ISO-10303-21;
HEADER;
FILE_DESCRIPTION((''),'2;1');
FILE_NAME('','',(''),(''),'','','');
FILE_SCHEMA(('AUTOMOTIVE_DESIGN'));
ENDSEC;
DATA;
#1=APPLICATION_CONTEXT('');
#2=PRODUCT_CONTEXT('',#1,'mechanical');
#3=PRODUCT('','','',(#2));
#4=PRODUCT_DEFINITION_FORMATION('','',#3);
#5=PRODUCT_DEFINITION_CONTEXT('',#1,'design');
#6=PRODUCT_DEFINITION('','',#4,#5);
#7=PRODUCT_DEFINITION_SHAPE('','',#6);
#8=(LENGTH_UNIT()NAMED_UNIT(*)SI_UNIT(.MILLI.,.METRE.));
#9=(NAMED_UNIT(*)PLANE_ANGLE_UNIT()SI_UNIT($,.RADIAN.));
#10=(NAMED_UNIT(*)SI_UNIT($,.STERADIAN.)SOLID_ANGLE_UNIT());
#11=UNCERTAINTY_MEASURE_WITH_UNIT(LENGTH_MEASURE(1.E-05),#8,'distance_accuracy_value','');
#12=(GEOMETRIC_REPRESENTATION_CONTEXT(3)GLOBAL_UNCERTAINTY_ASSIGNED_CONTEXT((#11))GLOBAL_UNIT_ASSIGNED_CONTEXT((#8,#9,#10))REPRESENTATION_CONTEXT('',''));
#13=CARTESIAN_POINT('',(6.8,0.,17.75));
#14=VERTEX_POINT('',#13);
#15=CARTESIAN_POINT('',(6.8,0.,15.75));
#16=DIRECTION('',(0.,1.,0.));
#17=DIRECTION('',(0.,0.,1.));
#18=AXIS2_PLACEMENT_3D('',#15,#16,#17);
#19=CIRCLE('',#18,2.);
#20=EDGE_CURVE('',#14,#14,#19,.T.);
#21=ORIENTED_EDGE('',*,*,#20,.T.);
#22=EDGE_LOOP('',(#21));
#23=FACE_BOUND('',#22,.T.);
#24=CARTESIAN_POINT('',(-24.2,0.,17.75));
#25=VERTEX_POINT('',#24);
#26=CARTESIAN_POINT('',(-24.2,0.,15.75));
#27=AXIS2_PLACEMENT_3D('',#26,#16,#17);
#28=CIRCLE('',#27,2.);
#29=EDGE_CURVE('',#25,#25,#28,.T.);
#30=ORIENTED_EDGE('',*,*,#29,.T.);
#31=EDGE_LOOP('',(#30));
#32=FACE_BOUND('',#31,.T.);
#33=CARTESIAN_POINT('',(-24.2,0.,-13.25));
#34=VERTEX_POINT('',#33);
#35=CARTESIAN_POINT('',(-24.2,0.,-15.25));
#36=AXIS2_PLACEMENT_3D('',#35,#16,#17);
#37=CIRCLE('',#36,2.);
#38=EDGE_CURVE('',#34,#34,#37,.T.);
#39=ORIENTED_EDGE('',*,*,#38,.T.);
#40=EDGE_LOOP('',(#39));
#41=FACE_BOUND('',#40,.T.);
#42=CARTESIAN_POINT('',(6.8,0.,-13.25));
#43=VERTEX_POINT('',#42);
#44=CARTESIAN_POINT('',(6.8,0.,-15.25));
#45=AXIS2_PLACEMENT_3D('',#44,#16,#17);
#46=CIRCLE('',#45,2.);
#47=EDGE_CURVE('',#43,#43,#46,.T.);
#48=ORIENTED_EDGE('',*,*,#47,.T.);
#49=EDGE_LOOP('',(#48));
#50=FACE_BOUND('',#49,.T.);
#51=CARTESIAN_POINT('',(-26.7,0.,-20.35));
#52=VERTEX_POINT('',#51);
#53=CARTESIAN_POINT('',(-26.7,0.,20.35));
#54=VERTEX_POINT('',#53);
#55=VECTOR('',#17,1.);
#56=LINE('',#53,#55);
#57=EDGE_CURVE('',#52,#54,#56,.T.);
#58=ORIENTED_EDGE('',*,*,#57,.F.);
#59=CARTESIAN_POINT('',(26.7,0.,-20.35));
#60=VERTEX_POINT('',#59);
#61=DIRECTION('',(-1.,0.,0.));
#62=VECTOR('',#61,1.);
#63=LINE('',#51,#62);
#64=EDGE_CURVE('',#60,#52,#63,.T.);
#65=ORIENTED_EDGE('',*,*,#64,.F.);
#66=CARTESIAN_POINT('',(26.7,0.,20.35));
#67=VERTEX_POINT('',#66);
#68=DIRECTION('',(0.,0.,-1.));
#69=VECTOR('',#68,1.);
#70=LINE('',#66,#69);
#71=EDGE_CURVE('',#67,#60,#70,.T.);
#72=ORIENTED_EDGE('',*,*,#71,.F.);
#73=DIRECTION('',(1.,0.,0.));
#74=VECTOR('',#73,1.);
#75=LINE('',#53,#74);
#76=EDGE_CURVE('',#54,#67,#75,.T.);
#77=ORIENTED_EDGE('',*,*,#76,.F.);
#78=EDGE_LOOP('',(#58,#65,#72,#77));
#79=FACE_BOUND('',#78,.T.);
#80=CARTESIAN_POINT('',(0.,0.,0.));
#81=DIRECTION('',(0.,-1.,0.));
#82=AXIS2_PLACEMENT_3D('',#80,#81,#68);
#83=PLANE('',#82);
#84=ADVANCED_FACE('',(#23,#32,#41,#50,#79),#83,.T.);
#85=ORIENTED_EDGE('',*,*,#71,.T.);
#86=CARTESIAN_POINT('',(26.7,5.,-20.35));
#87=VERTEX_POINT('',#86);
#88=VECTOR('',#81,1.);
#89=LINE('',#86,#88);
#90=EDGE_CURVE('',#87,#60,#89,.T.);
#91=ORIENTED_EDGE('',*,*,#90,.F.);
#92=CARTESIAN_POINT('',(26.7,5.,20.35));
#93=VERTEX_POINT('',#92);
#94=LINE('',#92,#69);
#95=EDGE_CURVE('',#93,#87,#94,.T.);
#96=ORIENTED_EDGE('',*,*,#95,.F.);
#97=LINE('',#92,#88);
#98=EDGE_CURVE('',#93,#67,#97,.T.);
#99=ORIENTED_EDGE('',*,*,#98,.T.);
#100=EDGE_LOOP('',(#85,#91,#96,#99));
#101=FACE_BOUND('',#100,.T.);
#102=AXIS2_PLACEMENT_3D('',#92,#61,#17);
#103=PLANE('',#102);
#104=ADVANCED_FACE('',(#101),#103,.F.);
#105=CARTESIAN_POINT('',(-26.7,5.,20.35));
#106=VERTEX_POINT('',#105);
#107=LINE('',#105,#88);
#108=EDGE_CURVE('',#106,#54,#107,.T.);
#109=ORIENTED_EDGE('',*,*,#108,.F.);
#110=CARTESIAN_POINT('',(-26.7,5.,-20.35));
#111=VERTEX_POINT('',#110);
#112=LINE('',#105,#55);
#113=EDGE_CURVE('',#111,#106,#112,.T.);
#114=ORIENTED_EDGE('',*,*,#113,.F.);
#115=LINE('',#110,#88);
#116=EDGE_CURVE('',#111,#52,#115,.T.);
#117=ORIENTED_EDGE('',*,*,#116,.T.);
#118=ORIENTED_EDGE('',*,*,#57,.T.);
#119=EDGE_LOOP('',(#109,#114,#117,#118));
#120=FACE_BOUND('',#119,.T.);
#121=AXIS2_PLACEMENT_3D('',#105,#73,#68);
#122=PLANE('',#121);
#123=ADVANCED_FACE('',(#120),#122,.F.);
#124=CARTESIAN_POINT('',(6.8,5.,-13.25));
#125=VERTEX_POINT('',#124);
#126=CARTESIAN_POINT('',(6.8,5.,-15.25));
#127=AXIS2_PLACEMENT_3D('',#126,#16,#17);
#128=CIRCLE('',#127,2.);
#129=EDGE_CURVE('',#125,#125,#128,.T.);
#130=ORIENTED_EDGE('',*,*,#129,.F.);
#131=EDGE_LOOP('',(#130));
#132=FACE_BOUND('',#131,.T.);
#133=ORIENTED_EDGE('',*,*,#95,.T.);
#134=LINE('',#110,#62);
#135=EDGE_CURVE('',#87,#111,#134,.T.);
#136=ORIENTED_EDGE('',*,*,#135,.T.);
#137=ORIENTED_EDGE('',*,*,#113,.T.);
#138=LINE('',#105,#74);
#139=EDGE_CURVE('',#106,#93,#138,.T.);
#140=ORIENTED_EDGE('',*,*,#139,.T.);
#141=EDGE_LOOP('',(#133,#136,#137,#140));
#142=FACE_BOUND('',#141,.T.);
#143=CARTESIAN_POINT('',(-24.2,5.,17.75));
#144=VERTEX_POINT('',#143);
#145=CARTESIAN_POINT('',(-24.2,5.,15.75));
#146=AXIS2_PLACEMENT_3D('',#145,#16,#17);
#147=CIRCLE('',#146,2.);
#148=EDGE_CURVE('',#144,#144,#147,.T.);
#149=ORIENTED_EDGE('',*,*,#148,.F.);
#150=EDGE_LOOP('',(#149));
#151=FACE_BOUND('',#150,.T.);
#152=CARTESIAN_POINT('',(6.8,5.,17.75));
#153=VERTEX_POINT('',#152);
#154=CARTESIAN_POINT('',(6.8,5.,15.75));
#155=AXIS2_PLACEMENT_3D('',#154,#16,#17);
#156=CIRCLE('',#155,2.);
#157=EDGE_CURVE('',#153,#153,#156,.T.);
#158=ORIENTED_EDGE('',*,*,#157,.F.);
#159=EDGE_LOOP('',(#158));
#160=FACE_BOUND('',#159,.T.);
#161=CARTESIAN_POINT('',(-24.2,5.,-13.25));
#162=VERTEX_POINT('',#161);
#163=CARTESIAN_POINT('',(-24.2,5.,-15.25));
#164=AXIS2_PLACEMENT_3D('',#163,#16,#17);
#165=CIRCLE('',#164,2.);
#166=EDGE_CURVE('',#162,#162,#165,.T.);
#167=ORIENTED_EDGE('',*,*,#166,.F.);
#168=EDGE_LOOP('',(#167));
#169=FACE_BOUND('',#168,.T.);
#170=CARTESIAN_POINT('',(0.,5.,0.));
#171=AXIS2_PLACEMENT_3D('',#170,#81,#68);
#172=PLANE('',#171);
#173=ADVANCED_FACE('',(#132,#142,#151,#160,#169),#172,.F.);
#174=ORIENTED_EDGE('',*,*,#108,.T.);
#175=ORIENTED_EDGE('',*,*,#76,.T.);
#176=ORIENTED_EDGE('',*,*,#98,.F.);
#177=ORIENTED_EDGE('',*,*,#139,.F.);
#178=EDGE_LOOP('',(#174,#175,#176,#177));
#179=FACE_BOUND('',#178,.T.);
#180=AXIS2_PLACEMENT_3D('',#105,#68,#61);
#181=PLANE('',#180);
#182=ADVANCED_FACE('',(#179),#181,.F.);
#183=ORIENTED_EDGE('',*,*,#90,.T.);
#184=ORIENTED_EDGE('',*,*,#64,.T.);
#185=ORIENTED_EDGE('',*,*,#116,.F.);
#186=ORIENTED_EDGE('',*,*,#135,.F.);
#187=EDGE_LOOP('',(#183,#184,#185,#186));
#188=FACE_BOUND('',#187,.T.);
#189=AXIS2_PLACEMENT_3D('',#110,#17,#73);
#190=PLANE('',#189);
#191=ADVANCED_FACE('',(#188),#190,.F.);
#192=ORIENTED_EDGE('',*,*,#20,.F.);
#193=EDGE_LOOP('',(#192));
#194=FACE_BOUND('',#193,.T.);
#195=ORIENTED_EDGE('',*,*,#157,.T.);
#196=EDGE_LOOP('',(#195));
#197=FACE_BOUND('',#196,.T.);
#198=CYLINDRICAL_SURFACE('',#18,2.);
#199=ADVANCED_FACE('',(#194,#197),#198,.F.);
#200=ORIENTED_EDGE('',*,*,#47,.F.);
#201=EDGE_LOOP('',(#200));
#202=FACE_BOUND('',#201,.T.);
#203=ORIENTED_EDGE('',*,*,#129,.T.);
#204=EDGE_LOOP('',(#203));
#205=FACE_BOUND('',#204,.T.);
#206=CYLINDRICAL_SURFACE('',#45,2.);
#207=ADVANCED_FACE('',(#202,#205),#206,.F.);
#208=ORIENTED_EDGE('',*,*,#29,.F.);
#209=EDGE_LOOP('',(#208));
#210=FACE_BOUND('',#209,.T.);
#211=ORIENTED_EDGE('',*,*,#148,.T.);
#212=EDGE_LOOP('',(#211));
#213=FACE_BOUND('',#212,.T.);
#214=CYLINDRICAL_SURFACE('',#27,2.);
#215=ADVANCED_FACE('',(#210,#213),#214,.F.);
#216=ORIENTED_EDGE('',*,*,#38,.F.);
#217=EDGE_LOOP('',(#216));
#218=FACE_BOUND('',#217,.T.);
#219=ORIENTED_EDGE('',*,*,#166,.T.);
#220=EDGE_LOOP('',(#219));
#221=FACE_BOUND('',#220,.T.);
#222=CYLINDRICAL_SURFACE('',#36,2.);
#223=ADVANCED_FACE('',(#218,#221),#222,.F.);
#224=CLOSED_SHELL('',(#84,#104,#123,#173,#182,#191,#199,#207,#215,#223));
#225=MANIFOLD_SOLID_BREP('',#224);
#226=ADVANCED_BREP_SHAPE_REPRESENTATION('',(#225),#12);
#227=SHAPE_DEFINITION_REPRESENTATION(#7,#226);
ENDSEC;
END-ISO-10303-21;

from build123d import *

# Parameters (mm, degrees)
SKETCH1_W           = 53.4
SKETCH1_H           = 40.7
BOSS_EXTRUDE1_DEPTH = 5
SKETCH2_R           = 2
CUT_EXTRUDE1_DEPTH  = 5


with BuildPart() as part:
    # Sketch1 → Boss-Extrude1 (new body)
    with BuildSketch(Plane(origin=(0, 0, 0), x_dir=(1, 0, 0), z_dir=(0, 1, 0))):
        Rectangle(SKETCH1_W, SKETCH1_H)
    extrude(amount=BOSS_EXTRUDE1_DEPTH)

    # Sketch2 → Cut-Extrude1 (cut)
    with BuildSketch(Plane(origin=(0, 5, 0), x_dir=(1, 0, 0), z_dir=(0, 1, 0))):
        with Locations((-24.2, 15.25)):
            Circle(SKETCH2_R)
        with Locations((-24.2, -15.75)):
            Circle(SKETCH2_R)
        with Locations((6.8, 15.25)):
            Circle(SKETCH2_R)
        with Locations((6.8, -15.75)):
            Circle(SKETCH2_R)
    extrude(amount=-CUT_EXTRUDE1_DEPTH, mode=Mode.SUBTRACT)


solid = part.part
